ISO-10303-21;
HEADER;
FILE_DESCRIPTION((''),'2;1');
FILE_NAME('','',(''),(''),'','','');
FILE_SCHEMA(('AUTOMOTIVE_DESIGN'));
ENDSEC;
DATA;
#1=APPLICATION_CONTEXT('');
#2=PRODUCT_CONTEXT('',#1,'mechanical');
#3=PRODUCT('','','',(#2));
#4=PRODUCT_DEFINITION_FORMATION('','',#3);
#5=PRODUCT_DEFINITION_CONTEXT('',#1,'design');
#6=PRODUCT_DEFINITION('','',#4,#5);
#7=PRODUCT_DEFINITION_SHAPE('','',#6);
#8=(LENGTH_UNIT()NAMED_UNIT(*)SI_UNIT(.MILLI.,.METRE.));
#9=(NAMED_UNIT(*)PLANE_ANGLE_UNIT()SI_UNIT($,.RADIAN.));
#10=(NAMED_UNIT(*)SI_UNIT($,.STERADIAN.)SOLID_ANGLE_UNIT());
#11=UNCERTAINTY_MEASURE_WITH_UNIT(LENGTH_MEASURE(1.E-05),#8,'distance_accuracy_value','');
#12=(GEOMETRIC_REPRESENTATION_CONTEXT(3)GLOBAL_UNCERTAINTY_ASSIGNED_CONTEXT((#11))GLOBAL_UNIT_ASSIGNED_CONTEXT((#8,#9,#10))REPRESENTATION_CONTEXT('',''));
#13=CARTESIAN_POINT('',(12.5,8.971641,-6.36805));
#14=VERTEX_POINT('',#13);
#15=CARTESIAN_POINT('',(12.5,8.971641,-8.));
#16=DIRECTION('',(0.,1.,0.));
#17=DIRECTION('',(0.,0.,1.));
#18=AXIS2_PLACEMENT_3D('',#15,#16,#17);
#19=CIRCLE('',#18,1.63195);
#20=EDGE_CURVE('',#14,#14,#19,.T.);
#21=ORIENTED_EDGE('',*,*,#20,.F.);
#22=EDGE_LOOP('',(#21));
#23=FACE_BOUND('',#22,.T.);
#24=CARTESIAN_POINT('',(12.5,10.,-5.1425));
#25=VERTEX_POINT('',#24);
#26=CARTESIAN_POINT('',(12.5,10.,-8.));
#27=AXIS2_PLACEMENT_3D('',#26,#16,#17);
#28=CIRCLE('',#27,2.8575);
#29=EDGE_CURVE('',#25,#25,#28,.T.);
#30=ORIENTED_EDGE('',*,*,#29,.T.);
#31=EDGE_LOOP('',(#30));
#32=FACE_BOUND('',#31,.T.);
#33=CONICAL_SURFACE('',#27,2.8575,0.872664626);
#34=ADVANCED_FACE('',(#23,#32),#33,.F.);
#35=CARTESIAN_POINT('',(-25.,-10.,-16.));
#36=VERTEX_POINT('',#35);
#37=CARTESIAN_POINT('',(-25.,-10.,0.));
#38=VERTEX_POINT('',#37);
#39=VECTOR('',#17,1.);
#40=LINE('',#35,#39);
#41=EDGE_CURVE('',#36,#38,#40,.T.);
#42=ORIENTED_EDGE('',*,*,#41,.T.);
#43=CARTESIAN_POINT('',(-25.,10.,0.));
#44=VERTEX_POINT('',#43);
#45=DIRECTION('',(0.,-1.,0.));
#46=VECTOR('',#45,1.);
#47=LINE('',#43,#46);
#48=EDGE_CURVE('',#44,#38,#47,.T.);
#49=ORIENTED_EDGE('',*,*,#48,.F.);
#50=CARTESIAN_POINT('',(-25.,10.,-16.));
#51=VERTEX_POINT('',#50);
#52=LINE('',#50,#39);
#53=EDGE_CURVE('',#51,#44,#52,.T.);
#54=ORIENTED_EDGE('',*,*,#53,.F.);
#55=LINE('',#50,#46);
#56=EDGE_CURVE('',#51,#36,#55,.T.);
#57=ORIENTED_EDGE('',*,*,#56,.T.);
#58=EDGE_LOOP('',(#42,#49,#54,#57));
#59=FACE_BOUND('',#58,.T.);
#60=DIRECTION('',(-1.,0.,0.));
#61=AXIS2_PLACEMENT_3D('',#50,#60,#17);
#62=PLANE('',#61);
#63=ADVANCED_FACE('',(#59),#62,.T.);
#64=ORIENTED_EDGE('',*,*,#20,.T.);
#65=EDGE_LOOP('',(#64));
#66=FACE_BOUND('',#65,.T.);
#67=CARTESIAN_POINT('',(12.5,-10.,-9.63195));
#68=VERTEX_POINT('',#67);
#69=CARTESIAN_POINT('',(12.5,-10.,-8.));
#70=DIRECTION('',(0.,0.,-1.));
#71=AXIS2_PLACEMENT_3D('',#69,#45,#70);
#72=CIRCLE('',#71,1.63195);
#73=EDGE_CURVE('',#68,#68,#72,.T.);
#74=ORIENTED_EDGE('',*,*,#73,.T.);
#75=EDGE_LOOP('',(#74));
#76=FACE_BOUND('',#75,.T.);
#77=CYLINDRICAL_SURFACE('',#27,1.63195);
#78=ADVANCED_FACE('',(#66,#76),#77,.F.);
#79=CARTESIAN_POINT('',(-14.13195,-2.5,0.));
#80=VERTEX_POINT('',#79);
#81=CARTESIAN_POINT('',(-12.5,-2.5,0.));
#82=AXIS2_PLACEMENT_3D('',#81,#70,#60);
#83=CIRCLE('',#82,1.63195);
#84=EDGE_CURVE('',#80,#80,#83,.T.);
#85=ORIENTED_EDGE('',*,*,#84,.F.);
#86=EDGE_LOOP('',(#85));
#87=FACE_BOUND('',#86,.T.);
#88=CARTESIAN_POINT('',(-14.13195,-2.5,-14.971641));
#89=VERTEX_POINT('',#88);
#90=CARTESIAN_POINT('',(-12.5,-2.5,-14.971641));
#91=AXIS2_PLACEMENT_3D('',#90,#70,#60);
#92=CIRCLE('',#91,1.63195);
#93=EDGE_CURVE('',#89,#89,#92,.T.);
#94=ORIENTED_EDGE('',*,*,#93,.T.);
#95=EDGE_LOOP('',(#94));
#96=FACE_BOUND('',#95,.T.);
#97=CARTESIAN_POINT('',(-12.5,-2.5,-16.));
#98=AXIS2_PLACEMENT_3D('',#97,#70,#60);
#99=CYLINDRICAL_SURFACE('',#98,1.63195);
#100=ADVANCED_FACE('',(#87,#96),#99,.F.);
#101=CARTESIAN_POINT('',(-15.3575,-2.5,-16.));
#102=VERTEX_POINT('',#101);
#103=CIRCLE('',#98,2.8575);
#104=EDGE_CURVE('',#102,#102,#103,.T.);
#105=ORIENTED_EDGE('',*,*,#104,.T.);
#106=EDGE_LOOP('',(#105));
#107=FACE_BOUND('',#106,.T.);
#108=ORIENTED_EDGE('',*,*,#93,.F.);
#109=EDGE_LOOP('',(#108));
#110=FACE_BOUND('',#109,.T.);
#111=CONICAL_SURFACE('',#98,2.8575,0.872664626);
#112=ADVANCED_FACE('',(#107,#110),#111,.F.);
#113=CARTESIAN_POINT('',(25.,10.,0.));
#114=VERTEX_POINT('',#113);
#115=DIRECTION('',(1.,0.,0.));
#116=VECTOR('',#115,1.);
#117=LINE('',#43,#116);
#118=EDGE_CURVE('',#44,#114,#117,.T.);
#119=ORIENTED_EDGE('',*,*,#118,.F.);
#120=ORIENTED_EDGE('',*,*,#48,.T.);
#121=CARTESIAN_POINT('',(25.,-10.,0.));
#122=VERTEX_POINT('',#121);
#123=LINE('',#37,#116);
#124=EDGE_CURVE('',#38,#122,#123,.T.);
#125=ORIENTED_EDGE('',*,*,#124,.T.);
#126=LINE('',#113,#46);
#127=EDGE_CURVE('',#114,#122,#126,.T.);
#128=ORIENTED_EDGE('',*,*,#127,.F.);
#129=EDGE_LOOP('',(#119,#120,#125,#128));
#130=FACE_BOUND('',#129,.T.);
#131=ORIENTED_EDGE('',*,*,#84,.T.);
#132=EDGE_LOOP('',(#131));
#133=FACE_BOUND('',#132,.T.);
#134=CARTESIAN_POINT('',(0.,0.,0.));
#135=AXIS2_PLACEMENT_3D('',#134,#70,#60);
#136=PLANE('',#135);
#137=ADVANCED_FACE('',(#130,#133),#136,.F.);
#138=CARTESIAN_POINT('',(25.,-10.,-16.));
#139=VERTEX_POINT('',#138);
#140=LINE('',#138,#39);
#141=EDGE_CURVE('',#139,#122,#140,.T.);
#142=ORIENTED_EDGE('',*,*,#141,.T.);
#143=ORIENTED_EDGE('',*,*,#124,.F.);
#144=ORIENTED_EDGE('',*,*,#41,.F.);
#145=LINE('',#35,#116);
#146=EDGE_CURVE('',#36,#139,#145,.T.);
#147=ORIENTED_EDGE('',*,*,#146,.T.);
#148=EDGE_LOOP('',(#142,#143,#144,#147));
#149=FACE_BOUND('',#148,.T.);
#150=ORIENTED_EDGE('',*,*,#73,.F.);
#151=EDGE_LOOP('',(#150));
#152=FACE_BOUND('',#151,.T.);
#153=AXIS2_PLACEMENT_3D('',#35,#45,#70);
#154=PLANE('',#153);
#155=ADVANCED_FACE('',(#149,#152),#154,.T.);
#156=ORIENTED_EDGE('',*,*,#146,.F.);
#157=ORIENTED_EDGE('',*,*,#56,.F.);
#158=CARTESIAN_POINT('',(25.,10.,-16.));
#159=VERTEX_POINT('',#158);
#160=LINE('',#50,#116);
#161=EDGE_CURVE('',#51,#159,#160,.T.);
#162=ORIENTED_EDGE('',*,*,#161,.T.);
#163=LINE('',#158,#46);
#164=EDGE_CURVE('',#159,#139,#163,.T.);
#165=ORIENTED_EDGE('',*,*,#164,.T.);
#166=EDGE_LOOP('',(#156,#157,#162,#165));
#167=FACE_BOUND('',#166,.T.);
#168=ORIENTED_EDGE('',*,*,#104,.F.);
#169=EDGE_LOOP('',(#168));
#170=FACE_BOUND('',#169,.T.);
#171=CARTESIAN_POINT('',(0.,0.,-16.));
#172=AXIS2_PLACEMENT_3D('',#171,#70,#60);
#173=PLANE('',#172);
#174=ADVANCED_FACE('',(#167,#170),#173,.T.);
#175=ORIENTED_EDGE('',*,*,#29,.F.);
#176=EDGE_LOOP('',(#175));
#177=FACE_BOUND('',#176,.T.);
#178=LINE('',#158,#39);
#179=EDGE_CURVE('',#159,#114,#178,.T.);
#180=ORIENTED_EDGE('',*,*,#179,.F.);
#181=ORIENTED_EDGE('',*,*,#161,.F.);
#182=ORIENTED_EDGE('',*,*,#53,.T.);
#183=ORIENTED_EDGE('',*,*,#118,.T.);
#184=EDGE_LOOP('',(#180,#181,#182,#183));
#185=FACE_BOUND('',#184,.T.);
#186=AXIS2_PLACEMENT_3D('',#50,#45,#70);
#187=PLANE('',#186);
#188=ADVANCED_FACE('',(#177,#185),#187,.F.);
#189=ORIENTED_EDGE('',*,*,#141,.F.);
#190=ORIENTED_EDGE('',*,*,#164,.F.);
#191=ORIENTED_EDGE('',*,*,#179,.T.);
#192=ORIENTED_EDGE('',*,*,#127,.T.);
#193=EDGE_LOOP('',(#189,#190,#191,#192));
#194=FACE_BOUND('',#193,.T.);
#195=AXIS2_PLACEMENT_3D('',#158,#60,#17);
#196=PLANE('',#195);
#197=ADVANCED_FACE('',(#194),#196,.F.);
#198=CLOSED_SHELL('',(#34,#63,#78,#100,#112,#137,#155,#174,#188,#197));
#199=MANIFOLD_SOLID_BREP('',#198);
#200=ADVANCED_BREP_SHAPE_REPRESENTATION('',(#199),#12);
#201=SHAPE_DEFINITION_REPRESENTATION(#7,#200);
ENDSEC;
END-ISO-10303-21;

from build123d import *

# Parameters (mm, degrees)
SKETCH1_W                                         = 50
SKETCH1_H                                         = 20
BOSS_EXTRUDE1_DEPTH                               = 16
CSK_FOR_4_FLAT_HEAD_MACHINE_SCREW_100_D           = 3.2639
CSK_FOR_4_FLAT_HEAD_MACHINE_SCREW_100_DEPTH       = 16
CSK_FOR_4_FLAT_HEAD_MACHINE_SCREW_100_CSINK_D     = 5.715
CSK_FOR_4_FLAT_HEAD_MACHINE_SCREW_100_CSINK_ANGLE = 100
CSK_FOR_4_FLAT_HEAD_MACHINE_SCREW_2_D             = 3.2639
CSK_FOR_4_FLAT_HEAD_MACHINE_SCREW_2_DEPTH         = 20
CSK_FOR_4_FLAT_HEAD_MACHINE_SCREW_2_CSINK_D       = 5.715
CSK_FOR_4_FLAT_HEAD_MACHINE_SCREW_2_CSINK_ANGLE   = 100


with BuildPart() as part:
    # Sketch1 → Boss-Extrude1 (new body)
    with BuildSketch(Plane.XY):
        Rectangle(SKETCH1_W, SKETCH1_H)
    extrude(amount=-BOSS_EXTRUDE1_DEPTH)

    # CSK for _4 Flat Head Machine Screw _100
    with Locations(Plane(origin=(-12.5, -2.5, -16), x_dir=(-1, 0, 0), z_dir=(0, 0, -1))):
        with Locations((0, 0)):
            CounterSinkHole(CSK_FOR_4_FLAT_HEAD_MACHINE_SCREW_100_D / 2, CSK_FOR_4_FLAT_HEAD_MACHINE_SCREW_100_CSINK_D / 2, depth=CSK_FOR_4_FLAT_HEAD_MACHINE_SCREW_100_DEPTH, counter_sink_angle=CSK_FOR_4_FLAT_HEAD_MACHINE_SCREW_100_CSINK_ANGLE)

    # CSK for _4 Flat Head Machine Screw _ 2
    with Locations(Plane(origin=(0, 10, 0), x_dir=(1, 0, 0), z_dir=(0, 1, 0))):
        with Locations((12.5, 8)):
            CounterSinkHole(CSK_FOR_4_FLAT_HEAD_MACHINE_SCREW_2_D / 2, CSK_FOR_4_FLAT_HEAD_MACHINE_SCREW_2_CSINK_D / 2, depth=CSK_FOR_4_FLAT_HEAD_MACHINE_SCREW_2_DEPTH, counter_sink_angle=CSK_FOR_4_FLAT_HEAD_MACHINE_SCREW_2_CSINK_ANGLE)


solid = part.part
